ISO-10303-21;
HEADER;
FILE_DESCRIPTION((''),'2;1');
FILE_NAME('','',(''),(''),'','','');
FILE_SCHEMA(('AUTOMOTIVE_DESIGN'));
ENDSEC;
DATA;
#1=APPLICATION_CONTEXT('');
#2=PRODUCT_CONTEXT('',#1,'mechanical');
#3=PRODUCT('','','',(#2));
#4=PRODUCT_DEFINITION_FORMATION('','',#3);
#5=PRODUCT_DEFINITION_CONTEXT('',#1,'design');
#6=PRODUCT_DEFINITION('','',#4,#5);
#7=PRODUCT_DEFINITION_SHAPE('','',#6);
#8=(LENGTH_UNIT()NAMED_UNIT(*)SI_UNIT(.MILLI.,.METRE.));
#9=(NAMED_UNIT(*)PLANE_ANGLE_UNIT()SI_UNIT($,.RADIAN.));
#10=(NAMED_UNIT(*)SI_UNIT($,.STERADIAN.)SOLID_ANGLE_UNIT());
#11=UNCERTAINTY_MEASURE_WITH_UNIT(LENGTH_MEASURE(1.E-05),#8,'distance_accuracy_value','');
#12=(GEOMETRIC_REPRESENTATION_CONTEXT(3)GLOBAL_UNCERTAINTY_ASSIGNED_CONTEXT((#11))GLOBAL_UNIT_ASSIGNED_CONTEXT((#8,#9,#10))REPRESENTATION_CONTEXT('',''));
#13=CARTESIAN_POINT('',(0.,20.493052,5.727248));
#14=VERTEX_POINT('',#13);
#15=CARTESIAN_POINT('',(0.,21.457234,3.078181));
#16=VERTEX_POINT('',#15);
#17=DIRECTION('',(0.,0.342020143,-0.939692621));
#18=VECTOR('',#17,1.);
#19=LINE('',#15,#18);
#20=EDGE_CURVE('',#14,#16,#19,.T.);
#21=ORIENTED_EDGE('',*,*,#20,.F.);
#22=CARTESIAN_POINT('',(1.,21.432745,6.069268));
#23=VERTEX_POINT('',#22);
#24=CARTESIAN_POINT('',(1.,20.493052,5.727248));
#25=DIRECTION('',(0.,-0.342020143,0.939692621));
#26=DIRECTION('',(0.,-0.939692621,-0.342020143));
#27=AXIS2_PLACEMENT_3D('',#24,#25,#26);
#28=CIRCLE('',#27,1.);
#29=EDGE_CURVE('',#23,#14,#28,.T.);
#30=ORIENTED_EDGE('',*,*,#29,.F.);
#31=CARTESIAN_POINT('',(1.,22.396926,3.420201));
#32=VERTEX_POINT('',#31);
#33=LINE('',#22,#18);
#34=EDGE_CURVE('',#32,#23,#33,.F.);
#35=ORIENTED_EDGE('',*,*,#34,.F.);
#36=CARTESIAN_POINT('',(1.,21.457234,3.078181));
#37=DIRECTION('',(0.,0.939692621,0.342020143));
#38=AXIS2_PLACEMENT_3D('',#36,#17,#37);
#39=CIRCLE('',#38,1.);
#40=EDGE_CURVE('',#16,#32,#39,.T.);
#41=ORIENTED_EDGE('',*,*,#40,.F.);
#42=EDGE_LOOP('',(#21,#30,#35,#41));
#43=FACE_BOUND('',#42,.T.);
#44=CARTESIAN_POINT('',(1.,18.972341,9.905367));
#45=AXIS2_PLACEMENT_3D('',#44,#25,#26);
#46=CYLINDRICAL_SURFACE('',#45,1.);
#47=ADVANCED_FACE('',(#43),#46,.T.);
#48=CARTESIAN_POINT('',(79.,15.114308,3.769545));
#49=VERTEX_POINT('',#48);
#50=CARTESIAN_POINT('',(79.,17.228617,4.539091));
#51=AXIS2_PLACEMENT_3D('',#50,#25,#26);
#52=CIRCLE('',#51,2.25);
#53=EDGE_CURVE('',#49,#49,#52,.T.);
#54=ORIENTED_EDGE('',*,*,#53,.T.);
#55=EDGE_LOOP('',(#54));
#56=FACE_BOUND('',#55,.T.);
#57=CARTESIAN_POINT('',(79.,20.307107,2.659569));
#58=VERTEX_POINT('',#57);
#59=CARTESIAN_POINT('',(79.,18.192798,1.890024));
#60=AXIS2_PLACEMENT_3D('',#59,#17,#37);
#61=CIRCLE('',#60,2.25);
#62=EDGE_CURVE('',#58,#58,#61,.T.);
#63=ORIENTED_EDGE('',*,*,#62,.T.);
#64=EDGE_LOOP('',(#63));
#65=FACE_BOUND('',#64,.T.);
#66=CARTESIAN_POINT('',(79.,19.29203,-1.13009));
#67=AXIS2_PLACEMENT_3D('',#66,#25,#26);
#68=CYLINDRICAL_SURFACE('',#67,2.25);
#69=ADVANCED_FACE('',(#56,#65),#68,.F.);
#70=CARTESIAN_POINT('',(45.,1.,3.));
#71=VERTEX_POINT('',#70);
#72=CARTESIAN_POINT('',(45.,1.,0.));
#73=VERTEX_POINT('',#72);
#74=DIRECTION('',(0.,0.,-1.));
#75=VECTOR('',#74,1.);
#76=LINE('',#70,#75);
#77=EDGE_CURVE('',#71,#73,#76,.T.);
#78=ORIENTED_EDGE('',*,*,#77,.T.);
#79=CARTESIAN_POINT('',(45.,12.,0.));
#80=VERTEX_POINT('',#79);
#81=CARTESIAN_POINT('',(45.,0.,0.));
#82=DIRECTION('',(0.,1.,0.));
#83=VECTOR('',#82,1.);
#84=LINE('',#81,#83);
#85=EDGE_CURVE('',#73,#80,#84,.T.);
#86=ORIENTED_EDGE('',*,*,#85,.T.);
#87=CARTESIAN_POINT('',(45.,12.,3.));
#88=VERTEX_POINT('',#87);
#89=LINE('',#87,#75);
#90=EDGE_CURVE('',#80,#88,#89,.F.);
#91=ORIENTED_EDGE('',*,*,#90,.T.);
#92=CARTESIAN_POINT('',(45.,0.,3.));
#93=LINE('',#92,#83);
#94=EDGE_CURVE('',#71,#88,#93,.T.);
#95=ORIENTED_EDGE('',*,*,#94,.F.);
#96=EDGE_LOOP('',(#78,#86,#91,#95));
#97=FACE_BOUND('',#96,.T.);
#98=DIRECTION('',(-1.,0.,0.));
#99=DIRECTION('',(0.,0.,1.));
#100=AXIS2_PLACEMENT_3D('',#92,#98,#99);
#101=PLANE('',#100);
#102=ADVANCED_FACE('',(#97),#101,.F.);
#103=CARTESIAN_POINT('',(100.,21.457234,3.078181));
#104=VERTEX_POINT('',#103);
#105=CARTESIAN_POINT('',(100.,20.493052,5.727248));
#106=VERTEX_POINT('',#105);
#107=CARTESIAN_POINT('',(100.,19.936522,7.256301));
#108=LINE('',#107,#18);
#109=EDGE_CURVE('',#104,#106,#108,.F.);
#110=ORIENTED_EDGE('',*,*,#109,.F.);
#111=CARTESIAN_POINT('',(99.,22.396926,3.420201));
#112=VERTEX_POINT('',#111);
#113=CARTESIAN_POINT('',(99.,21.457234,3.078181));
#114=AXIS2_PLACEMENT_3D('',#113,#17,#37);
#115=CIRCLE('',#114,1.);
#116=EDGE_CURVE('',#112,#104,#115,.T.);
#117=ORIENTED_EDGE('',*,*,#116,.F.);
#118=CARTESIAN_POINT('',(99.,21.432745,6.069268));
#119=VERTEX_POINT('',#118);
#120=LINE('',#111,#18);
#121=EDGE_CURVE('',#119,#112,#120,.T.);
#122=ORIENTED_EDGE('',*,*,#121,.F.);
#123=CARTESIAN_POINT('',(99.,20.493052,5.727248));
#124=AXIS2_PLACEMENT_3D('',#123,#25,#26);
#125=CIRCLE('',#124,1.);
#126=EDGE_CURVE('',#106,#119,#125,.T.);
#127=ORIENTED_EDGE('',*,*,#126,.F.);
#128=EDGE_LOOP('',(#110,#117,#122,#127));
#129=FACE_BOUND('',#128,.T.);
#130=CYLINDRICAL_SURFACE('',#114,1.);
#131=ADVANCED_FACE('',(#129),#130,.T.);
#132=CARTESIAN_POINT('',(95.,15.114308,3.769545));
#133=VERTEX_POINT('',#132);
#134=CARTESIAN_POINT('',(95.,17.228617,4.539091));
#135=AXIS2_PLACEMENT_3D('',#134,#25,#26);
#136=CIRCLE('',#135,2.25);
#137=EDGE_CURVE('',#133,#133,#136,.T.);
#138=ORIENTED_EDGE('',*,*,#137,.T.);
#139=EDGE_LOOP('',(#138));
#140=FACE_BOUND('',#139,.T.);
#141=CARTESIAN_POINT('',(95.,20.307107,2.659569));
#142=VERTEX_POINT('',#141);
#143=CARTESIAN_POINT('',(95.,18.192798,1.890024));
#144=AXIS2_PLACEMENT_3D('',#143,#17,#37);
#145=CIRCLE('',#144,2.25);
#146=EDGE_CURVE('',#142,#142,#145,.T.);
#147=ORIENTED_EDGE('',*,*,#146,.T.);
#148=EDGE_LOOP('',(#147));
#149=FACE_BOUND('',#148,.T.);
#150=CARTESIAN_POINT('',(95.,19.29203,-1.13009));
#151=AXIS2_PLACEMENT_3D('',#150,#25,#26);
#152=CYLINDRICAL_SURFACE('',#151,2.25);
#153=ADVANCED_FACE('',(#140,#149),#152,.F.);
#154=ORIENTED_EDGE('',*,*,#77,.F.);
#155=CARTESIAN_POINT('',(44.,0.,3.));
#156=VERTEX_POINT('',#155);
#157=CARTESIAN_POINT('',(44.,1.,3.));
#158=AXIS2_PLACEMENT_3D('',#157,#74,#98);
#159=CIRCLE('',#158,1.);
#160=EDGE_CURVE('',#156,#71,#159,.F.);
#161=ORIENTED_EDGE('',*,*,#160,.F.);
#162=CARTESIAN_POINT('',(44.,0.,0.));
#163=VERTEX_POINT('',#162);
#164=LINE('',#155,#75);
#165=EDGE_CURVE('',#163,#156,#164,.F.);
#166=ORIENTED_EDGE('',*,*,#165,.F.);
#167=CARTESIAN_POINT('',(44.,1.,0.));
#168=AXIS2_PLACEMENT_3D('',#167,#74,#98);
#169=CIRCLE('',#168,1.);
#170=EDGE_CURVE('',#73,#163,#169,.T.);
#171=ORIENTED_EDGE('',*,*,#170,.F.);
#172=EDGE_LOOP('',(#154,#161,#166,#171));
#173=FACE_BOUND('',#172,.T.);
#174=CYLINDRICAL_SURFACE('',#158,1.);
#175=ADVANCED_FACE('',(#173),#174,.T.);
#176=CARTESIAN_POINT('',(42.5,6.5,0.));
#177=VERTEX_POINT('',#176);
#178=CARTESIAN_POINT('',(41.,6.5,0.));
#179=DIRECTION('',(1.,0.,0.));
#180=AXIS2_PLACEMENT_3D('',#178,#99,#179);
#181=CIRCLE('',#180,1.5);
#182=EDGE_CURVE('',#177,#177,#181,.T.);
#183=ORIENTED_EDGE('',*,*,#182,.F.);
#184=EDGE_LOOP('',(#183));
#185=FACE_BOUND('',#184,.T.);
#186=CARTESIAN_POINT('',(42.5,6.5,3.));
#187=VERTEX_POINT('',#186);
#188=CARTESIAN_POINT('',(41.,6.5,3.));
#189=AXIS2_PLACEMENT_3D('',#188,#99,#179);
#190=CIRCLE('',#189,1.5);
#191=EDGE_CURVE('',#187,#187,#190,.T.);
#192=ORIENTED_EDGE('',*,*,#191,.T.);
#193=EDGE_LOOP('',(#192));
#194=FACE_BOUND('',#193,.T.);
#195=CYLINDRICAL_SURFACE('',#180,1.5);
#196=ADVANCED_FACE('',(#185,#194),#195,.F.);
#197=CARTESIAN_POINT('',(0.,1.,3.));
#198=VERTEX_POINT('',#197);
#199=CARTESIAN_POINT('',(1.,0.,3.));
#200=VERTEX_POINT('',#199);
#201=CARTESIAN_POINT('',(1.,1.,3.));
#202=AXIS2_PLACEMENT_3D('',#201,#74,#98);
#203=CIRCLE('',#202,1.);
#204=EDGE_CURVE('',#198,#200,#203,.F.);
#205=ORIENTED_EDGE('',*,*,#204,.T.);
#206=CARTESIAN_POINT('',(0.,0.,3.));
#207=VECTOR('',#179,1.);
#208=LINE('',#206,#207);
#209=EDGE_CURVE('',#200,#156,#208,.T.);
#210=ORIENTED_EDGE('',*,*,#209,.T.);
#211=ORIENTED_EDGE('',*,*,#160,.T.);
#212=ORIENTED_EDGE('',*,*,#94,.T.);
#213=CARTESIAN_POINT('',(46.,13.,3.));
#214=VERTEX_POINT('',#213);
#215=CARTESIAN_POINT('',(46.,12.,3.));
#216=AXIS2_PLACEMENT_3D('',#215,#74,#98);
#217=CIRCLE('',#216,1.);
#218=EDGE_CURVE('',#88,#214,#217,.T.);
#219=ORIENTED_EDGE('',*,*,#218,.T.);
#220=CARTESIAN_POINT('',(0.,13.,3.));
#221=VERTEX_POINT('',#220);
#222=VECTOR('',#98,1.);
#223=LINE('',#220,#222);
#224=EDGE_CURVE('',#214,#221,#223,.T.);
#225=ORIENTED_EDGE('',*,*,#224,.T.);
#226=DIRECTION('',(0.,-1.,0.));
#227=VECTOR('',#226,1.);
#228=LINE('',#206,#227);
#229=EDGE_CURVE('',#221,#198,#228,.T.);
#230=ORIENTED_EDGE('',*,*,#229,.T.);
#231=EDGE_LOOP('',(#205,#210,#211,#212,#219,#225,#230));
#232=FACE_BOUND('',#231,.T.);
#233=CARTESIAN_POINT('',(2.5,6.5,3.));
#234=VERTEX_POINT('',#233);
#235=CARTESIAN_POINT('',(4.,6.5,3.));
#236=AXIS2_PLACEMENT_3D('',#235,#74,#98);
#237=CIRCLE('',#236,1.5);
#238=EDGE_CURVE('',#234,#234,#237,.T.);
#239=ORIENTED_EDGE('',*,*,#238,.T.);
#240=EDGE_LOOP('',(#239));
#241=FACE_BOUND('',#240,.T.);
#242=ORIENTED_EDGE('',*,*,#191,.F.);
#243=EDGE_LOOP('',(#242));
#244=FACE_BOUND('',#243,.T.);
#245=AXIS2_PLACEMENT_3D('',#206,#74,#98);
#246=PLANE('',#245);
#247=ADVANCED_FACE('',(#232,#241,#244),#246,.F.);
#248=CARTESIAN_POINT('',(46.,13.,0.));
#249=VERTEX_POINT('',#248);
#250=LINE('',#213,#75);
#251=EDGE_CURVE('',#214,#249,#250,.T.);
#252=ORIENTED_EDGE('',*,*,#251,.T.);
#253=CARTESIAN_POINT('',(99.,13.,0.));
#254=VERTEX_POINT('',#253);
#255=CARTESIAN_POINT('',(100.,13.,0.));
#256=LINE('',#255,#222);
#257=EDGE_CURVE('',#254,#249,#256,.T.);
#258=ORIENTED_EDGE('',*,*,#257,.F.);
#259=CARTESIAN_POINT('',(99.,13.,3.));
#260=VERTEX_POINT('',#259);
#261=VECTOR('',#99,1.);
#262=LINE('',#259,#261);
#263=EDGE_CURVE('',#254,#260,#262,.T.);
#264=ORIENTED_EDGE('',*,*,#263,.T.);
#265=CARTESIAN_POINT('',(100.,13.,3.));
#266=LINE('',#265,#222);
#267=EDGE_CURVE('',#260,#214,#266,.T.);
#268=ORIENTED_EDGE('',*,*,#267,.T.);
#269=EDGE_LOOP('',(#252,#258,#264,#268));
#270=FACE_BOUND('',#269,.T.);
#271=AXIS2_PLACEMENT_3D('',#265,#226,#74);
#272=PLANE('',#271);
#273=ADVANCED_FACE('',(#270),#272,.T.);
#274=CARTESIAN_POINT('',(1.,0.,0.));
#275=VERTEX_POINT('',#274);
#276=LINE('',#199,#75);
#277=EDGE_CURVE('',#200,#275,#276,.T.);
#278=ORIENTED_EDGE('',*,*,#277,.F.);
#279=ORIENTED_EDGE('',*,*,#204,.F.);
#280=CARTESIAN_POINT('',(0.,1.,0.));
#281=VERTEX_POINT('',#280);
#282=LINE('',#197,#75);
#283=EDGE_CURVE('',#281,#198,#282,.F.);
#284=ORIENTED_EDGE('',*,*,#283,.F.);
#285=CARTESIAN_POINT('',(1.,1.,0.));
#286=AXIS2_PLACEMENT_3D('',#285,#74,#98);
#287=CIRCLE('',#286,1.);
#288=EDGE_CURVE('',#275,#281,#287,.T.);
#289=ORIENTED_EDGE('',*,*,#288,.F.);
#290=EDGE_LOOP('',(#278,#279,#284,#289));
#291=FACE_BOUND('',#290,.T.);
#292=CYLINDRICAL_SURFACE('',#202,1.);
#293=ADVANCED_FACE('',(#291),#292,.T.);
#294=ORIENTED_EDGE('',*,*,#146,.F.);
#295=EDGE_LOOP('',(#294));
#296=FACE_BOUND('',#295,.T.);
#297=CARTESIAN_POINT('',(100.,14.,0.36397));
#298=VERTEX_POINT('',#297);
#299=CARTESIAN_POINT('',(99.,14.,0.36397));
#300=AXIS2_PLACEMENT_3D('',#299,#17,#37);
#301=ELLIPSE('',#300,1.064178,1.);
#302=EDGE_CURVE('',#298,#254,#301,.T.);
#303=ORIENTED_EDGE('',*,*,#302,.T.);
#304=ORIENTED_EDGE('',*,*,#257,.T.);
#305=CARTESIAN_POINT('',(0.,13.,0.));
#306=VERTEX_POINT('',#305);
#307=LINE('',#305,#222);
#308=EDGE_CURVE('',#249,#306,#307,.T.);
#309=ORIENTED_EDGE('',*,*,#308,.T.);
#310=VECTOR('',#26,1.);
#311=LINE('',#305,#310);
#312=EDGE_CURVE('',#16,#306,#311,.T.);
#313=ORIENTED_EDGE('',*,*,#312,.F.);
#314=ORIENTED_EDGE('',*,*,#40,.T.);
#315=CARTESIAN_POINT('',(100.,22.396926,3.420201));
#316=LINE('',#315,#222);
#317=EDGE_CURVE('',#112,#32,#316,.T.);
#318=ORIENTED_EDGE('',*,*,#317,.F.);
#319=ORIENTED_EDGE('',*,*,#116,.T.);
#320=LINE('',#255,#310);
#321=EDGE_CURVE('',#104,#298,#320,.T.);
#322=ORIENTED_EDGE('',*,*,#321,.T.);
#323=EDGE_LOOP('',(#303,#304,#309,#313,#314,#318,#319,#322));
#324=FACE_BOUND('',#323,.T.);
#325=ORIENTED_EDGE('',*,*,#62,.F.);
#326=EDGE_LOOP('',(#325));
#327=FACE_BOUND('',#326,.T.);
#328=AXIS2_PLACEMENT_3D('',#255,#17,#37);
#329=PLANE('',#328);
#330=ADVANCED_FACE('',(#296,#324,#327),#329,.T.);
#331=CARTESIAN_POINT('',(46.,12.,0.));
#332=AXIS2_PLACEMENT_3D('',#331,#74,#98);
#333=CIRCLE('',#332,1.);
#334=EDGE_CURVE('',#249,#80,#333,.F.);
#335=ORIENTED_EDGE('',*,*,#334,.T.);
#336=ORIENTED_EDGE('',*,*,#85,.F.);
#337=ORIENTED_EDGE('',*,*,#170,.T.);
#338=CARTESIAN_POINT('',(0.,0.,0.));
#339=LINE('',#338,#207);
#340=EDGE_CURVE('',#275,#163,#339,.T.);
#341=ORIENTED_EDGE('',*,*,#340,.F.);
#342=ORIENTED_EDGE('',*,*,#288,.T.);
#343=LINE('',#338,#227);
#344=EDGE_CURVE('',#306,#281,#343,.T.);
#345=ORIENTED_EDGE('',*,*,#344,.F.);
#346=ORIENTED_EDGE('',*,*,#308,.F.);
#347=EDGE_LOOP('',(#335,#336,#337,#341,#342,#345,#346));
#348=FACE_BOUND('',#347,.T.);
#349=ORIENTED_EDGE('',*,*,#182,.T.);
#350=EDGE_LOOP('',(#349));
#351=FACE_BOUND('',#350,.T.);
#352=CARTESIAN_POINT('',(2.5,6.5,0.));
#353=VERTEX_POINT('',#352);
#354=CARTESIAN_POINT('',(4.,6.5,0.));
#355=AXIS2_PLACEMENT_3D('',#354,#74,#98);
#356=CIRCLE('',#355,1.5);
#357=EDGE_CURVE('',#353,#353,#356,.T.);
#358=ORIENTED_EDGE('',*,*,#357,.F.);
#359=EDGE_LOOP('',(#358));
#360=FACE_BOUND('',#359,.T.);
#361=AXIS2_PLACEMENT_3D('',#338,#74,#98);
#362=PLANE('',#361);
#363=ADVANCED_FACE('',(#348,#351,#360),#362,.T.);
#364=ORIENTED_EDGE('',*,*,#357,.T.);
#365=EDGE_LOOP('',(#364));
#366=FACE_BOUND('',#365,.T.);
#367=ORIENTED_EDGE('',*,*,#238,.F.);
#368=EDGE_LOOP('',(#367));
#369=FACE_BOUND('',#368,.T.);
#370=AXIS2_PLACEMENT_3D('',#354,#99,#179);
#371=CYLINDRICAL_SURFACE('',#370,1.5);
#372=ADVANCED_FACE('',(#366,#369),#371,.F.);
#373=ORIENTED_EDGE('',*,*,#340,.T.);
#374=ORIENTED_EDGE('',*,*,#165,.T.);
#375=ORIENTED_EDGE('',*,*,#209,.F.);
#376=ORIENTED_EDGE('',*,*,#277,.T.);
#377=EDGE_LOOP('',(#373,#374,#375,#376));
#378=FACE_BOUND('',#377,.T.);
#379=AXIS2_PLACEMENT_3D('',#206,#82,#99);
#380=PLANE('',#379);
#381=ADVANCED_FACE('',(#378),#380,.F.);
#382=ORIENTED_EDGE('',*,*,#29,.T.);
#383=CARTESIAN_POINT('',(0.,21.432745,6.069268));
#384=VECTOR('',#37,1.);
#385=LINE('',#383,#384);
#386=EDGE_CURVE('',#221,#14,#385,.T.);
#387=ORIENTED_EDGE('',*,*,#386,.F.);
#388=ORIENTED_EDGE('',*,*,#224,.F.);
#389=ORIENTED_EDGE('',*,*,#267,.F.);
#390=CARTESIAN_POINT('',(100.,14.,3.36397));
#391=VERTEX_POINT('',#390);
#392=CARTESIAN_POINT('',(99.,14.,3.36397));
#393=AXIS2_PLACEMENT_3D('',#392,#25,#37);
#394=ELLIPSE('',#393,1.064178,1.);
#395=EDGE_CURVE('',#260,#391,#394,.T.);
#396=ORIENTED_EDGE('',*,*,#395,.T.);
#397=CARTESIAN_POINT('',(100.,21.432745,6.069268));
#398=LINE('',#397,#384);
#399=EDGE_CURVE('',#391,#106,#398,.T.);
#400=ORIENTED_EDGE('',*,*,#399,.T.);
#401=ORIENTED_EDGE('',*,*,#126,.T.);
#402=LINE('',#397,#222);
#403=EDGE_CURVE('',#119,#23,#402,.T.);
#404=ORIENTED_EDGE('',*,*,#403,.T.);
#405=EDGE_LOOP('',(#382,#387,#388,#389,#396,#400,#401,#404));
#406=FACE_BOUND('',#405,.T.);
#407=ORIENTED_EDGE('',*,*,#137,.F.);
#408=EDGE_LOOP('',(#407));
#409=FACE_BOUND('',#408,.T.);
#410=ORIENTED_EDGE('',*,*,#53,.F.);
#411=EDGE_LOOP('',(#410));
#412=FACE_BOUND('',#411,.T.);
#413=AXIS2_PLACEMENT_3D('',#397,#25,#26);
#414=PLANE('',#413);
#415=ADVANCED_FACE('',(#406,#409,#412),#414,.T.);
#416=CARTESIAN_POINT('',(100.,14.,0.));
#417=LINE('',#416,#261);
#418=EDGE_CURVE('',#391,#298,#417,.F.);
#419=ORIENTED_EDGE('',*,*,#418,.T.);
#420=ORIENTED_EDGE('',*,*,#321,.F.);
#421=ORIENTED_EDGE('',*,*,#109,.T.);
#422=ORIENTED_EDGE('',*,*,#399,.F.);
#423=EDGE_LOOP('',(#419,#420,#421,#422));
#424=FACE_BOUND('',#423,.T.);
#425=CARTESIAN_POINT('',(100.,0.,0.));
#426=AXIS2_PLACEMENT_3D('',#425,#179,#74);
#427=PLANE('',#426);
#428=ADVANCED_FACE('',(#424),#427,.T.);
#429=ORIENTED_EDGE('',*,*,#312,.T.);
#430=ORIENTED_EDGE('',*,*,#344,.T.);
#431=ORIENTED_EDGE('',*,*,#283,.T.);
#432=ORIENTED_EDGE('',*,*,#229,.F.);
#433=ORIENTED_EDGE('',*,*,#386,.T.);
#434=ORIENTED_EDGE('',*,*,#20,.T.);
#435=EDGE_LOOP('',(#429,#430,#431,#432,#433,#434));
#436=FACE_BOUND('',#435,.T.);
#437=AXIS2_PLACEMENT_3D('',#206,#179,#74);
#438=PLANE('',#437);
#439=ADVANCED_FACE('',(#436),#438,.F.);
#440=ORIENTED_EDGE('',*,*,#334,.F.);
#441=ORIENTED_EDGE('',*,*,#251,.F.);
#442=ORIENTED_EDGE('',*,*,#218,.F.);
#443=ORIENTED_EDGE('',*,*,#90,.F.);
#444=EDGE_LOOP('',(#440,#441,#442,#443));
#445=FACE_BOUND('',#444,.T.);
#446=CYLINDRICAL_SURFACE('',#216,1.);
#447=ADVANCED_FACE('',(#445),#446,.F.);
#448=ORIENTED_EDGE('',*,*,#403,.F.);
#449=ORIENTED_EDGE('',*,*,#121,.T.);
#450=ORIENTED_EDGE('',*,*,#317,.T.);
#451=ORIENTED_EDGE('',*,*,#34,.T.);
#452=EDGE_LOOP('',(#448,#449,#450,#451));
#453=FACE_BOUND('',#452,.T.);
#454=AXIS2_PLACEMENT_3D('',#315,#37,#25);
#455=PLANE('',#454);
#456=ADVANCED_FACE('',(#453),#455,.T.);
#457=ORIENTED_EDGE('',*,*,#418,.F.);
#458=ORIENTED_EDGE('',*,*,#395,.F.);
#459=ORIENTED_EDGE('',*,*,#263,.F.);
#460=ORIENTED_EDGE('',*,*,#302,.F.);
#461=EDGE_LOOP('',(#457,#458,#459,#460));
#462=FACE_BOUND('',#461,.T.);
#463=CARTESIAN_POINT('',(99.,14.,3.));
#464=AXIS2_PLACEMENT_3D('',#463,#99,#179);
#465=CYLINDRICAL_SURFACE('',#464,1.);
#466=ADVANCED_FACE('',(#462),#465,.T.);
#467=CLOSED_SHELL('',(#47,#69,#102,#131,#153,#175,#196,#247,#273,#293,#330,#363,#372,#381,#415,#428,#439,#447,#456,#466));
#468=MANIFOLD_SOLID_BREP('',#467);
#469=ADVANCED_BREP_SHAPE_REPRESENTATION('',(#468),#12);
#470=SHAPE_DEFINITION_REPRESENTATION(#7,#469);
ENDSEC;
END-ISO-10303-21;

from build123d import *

# Parameters (mm, degrees)
ESQUISSE1_W                = 45
ESQUISSE1_H                = 13
BOSS_EXTRU_1_DEPTH         = 3
ESQUISSE2_R                = 1.5
ENL_V_MAT_EXTRU_1_DEPTH    = 47.936126811
BOSS_EXTRU_3_DEPTH         = 100
CONG_1_R                   = 1
ESQUISSE12_R               = 2.25
ENL_V_MAT_EXTRU_3_DEPTH    = 103.638868855
R_P_TITION_LIN_AIRE1_COUNT = 2
R_P_TITION_LIN_AIRE1_PITCH = 16


with BuildPart() as part:
    # Esquisse1 → Boss.-Extru.1 (new body)
    with BuildSketch(Plane.XY):
        with Locations((22.5, 6.5)):
            Rectangle(ESQUISSE1_W, ESQUISSE1_H)
    extrude(amount=BOSS_EXTRU_1_DEPTH)

    # Esquisse2 → Enlèv. mat.-Extru.1 (cut, through all)
    with BuildSketch(Plane.XY.offset(3)):
        with Locations((41, 6.5)):
            Circle(ESQUISSE2_R)
    enl_v_mat_extru_1 = extrude(amount=-ENL_V_MAT_EXTRU_1_DEPTH, mode=Mode.SUBTRACT)

    # Symétrie1: Enlèv. mat.-Extru.1 across plane
    add(enl_v_mat_extru_1.mirror(Plane.ZY.offset(-22.5)), mode=Mode.SUBTRACT)

    # Esquisse8 → Boss.-Extru.3 (add)
    with BuildSketch(Plane.ZY):
        Polygon((0, 13), (3.420201433, 22.396926208), (6.069268098, 21.432744793), (3, 13), align=None)
    extrude(amount=-BOSS_EXTRU_3_DEPTH)

    # Congé1
    cong_1_edges = [part.edges().sort_by_distance(p)[0] for p in [
        (45, 0, 1.5),
        (0, 0, 1.5),
        (45, 13, 1.5),
        (100, 13, 1.5),
        (100, 21.914835501, 4.744734766),
        (0, 21.914835501, 4.744734766),
    ]]
    fillet(cong_1_edges, radius=CONG_1_R)

    # Esquisse12 → Enlèv. mat.-Extru.3 (cut, through all)
    with BuildSketch(Plane(origin=(0, 0.556529705, -1.529052798), x_dir=(1, 0, 0), z_dir=(0, -0.34202014332566943, 0.9396926207859083))):
        with Locations((95, 17.7420645)):
            Circle(ESQUISSE12_R)
    enl_v_mat_extru_3 = extrude(amount=-ENL_V_MAT_EXTRU_3_DEPTH, mode=Mode.SUBTRACT)

    # Répétition linéaire1: Enlèv. mat.-Extru.3 ×2
    with Locations(*[(-i * R_P_TITION_LIN_AIRE1_PITCH, 0, 0) for i in range(1, R_P_TITION_LIN_AIRE1_COUNT)]):
        add(enl_v_mat_extru_3, mode=Mode.SUBTRACT)


solid = part.part
